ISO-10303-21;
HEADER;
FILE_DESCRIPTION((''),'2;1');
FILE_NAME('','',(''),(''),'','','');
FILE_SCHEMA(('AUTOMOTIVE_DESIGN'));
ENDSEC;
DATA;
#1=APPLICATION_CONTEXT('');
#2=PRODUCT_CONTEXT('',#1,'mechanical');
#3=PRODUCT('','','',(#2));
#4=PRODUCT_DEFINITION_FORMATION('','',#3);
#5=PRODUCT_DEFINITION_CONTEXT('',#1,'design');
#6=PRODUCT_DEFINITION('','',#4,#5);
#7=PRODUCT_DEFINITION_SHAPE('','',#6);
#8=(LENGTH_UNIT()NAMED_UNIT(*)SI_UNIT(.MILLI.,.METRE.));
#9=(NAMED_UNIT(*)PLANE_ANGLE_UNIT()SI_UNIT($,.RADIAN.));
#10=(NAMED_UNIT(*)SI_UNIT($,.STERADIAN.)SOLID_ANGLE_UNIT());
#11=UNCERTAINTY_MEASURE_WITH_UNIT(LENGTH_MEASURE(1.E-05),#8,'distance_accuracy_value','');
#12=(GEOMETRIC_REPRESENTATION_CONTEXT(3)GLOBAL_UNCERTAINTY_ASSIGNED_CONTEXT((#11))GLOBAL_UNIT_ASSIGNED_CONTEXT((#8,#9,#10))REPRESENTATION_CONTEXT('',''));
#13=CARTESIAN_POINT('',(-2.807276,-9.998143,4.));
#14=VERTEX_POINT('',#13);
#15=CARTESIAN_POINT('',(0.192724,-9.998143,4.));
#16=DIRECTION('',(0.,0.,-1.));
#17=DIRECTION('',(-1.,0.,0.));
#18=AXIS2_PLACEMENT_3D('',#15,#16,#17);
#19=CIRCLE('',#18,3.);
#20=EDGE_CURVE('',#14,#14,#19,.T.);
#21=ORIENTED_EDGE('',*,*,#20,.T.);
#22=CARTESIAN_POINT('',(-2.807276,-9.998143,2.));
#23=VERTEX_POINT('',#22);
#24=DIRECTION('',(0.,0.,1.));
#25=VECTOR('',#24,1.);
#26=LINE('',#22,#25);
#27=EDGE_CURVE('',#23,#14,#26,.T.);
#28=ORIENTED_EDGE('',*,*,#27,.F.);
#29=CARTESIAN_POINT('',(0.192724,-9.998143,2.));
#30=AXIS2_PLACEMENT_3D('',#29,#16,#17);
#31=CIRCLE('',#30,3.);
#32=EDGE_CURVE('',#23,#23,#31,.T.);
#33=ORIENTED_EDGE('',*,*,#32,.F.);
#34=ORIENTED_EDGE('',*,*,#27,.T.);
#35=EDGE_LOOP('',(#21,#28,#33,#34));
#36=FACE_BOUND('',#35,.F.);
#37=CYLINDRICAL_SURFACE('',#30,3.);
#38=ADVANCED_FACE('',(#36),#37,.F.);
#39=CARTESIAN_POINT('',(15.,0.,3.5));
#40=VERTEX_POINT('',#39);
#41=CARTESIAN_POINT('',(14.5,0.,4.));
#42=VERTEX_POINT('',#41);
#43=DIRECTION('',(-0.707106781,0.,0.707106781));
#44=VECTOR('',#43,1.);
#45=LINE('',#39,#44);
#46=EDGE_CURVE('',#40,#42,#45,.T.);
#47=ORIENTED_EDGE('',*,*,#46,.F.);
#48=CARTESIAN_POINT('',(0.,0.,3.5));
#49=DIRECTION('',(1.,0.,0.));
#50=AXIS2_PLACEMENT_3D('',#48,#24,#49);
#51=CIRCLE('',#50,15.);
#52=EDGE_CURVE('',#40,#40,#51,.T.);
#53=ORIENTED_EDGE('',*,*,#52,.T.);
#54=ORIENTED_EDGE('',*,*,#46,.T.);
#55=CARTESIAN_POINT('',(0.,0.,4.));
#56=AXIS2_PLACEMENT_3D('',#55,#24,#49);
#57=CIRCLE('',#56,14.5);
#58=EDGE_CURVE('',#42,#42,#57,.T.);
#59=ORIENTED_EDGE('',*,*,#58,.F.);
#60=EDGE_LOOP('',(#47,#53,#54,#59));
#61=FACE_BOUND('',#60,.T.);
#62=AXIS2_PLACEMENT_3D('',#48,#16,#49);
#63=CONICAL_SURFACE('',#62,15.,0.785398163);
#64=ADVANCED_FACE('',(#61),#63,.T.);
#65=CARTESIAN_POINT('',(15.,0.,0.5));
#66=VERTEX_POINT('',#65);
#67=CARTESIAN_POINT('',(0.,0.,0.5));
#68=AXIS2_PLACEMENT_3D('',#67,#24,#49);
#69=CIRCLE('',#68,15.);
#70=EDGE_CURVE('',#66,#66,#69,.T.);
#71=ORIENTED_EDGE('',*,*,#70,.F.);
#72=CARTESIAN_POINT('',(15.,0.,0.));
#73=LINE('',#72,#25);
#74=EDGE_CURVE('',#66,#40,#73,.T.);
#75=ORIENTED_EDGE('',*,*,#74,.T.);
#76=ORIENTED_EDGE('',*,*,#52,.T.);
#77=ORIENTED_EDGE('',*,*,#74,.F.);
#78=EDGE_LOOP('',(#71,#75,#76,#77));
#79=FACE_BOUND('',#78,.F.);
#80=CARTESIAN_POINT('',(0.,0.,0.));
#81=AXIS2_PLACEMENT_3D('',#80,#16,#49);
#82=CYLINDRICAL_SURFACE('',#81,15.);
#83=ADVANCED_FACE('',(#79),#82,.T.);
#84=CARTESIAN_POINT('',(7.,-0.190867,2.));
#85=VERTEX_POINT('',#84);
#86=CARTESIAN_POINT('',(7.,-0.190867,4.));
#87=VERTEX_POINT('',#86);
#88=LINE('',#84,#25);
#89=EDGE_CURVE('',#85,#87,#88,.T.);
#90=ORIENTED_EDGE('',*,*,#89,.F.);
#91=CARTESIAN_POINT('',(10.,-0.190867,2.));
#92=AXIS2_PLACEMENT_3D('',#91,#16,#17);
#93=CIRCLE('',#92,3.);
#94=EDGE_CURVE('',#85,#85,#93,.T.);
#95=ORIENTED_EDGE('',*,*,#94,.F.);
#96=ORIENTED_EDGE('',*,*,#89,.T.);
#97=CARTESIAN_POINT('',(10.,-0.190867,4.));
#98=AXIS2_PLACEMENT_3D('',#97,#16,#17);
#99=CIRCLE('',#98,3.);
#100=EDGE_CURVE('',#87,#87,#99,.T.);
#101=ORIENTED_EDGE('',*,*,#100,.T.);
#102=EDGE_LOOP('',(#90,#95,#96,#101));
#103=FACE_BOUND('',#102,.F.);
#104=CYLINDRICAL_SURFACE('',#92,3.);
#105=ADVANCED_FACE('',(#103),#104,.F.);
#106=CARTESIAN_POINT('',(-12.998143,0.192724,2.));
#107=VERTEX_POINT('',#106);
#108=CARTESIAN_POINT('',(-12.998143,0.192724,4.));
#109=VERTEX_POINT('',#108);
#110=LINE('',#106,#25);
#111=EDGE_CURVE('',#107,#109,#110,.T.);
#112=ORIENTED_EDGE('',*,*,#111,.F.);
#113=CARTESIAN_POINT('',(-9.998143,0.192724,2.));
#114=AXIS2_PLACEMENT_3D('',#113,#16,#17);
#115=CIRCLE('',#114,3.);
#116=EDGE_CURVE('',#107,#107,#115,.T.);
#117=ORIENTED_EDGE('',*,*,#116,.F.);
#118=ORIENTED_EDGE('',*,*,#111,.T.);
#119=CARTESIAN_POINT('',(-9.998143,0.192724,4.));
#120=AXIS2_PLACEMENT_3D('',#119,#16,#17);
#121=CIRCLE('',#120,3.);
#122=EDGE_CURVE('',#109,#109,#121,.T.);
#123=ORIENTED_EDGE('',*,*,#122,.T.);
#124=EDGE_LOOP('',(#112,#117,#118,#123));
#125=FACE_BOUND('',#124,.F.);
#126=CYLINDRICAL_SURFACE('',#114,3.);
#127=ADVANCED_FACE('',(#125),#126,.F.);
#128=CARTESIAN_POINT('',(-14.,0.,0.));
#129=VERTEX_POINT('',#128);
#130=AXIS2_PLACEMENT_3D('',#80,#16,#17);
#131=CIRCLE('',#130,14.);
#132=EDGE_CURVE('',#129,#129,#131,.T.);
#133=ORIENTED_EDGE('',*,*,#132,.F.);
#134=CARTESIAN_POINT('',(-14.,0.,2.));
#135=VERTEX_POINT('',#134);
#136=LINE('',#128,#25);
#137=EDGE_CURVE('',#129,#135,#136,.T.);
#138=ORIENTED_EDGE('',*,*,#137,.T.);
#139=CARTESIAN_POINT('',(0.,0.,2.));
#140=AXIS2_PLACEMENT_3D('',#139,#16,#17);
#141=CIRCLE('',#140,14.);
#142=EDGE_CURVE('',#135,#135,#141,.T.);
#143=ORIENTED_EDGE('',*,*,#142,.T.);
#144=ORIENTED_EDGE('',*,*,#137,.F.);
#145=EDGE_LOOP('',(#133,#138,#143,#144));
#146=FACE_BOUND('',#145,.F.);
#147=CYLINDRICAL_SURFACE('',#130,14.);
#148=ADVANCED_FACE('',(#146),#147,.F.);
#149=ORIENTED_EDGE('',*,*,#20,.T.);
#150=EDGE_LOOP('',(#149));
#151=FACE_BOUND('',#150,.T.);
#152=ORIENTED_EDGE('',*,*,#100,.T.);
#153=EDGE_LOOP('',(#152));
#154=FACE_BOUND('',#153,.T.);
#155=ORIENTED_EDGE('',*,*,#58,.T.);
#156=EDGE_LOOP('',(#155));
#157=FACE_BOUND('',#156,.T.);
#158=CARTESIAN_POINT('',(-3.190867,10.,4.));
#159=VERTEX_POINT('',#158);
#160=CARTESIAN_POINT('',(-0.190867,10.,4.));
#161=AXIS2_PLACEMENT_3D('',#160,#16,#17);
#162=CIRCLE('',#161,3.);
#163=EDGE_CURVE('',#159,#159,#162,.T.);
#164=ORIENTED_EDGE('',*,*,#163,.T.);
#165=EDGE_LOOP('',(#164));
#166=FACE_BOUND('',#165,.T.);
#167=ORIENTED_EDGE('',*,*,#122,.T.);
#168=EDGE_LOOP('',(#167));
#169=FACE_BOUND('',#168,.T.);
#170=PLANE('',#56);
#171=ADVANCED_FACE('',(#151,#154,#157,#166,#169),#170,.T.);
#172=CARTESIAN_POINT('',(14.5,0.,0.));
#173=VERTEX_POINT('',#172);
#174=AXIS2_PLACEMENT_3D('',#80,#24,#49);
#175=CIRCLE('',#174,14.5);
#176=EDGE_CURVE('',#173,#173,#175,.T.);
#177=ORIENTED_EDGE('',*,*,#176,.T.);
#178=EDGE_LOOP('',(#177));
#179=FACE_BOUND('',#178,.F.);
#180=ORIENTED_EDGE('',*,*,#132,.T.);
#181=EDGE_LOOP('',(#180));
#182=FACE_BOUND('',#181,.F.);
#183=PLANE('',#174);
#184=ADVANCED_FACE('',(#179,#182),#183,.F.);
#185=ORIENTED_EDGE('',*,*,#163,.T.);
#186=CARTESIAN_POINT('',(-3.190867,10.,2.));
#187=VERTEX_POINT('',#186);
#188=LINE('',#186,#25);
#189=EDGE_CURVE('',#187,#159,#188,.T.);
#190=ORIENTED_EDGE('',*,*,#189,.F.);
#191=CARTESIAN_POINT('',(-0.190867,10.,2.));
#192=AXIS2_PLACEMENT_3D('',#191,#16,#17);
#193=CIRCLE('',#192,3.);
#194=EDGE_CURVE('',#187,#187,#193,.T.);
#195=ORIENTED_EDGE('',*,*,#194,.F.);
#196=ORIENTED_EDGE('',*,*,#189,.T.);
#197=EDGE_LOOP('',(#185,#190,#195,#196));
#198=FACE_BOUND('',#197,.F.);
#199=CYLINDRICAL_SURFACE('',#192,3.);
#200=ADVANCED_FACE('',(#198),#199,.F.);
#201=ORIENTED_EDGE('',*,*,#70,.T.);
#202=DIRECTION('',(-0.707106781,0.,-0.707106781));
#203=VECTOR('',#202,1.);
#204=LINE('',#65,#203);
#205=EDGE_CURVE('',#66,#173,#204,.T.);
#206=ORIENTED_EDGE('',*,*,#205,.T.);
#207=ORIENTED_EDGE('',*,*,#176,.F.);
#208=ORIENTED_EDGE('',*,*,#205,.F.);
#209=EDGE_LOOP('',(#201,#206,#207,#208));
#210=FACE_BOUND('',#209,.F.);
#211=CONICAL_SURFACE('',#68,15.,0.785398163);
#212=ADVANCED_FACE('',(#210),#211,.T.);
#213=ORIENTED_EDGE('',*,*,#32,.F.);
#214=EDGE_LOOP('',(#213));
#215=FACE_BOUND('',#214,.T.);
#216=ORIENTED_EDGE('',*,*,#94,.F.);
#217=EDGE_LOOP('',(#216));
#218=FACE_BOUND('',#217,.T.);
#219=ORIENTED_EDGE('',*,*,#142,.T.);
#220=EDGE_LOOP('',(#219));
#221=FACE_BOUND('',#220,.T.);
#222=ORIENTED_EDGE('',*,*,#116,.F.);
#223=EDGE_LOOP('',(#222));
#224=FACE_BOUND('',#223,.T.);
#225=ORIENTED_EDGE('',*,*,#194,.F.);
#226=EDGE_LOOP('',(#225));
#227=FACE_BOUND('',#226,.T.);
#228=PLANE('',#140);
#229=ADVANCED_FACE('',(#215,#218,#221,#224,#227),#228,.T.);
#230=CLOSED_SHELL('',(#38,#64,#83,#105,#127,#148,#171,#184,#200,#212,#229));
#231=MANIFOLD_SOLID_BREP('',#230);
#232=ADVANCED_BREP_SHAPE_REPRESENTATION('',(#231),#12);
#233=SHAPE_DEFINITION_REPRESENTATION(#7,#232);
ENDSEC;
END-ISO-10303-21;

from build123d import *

# Parameters (mm, degrees)
SKETCH_1_R          = 15
EXTRUDE_1_DEPTH     = 4
SKETCH_3_R          = 14
CUT_EXTRUDE_2_DEPTH = 2
SKETCH_5_R          = 3
CUT_EXTRUDE_3_DEPTH = 3
CHAMFER_1_SIZE      = 0.5
CHAMFER_3_SIZE      = 0.5


with BuildPart() as part:
    # Эскиз1 → Вытянуть1 (new body)
    with BuildSketch(Plane.XY):
        Circle(SKETCH_1_R)
    extrude(amount=EXTRUDE_1_DEPTH)

    # Эскиз3 → Вытянуть2 (cut)
    with BuildSketch(Plane(origin=(0, 0, 0), x_dir=(-1, 0, 0), z_dir=(0, 0, -1))):
        Circle(SKETCH_3_R)
    extrude(amount=-CUT_EXTRUDE_2_DEPTH, mode=Mode.SUBTRACT)

    # Эскиз5 → Вытянуть3 (cut, through all)
    with BuildSketch(Plane(origin=(0, 0, 2), x_dir=(-1, 0, 0), z_dir=(0, 0, -1))):
        with Locations((9.998142701, 0.192724)):
            Circle(SKETCH_5_R)
        with Locations((-0.192724, -9.998142701)):
            Circle(SKETCH_5_R)
        with Locations((0.1908667, 10)):
            Circle(SKETCH_5_R)
        with Locations((-10, -0.1908667)):
            Circle(SKETCH_5_R)
    extrude(amount=-CUT_EXTRUDE_3_DEPTH, mode=Mode.SUBTRACT)

    # Фаска1
    chamfer_1_edges = [part.edges().sort_by_distance(p)[0] for p in [
        (-15, 0, 4),
    ]]
    chamfer(chamfer_1_edges, length=CHAMFER_1_SIZE)

    # Фаска3
    chamfer_3_edges = [part.edges().sort_by_distance(p)[0] for p in [
        (-15, 0, 0),
    ]]
    chamfer(chamfer_3_edges, length=CHAMFER_3_SIZE)


solid = part.part
